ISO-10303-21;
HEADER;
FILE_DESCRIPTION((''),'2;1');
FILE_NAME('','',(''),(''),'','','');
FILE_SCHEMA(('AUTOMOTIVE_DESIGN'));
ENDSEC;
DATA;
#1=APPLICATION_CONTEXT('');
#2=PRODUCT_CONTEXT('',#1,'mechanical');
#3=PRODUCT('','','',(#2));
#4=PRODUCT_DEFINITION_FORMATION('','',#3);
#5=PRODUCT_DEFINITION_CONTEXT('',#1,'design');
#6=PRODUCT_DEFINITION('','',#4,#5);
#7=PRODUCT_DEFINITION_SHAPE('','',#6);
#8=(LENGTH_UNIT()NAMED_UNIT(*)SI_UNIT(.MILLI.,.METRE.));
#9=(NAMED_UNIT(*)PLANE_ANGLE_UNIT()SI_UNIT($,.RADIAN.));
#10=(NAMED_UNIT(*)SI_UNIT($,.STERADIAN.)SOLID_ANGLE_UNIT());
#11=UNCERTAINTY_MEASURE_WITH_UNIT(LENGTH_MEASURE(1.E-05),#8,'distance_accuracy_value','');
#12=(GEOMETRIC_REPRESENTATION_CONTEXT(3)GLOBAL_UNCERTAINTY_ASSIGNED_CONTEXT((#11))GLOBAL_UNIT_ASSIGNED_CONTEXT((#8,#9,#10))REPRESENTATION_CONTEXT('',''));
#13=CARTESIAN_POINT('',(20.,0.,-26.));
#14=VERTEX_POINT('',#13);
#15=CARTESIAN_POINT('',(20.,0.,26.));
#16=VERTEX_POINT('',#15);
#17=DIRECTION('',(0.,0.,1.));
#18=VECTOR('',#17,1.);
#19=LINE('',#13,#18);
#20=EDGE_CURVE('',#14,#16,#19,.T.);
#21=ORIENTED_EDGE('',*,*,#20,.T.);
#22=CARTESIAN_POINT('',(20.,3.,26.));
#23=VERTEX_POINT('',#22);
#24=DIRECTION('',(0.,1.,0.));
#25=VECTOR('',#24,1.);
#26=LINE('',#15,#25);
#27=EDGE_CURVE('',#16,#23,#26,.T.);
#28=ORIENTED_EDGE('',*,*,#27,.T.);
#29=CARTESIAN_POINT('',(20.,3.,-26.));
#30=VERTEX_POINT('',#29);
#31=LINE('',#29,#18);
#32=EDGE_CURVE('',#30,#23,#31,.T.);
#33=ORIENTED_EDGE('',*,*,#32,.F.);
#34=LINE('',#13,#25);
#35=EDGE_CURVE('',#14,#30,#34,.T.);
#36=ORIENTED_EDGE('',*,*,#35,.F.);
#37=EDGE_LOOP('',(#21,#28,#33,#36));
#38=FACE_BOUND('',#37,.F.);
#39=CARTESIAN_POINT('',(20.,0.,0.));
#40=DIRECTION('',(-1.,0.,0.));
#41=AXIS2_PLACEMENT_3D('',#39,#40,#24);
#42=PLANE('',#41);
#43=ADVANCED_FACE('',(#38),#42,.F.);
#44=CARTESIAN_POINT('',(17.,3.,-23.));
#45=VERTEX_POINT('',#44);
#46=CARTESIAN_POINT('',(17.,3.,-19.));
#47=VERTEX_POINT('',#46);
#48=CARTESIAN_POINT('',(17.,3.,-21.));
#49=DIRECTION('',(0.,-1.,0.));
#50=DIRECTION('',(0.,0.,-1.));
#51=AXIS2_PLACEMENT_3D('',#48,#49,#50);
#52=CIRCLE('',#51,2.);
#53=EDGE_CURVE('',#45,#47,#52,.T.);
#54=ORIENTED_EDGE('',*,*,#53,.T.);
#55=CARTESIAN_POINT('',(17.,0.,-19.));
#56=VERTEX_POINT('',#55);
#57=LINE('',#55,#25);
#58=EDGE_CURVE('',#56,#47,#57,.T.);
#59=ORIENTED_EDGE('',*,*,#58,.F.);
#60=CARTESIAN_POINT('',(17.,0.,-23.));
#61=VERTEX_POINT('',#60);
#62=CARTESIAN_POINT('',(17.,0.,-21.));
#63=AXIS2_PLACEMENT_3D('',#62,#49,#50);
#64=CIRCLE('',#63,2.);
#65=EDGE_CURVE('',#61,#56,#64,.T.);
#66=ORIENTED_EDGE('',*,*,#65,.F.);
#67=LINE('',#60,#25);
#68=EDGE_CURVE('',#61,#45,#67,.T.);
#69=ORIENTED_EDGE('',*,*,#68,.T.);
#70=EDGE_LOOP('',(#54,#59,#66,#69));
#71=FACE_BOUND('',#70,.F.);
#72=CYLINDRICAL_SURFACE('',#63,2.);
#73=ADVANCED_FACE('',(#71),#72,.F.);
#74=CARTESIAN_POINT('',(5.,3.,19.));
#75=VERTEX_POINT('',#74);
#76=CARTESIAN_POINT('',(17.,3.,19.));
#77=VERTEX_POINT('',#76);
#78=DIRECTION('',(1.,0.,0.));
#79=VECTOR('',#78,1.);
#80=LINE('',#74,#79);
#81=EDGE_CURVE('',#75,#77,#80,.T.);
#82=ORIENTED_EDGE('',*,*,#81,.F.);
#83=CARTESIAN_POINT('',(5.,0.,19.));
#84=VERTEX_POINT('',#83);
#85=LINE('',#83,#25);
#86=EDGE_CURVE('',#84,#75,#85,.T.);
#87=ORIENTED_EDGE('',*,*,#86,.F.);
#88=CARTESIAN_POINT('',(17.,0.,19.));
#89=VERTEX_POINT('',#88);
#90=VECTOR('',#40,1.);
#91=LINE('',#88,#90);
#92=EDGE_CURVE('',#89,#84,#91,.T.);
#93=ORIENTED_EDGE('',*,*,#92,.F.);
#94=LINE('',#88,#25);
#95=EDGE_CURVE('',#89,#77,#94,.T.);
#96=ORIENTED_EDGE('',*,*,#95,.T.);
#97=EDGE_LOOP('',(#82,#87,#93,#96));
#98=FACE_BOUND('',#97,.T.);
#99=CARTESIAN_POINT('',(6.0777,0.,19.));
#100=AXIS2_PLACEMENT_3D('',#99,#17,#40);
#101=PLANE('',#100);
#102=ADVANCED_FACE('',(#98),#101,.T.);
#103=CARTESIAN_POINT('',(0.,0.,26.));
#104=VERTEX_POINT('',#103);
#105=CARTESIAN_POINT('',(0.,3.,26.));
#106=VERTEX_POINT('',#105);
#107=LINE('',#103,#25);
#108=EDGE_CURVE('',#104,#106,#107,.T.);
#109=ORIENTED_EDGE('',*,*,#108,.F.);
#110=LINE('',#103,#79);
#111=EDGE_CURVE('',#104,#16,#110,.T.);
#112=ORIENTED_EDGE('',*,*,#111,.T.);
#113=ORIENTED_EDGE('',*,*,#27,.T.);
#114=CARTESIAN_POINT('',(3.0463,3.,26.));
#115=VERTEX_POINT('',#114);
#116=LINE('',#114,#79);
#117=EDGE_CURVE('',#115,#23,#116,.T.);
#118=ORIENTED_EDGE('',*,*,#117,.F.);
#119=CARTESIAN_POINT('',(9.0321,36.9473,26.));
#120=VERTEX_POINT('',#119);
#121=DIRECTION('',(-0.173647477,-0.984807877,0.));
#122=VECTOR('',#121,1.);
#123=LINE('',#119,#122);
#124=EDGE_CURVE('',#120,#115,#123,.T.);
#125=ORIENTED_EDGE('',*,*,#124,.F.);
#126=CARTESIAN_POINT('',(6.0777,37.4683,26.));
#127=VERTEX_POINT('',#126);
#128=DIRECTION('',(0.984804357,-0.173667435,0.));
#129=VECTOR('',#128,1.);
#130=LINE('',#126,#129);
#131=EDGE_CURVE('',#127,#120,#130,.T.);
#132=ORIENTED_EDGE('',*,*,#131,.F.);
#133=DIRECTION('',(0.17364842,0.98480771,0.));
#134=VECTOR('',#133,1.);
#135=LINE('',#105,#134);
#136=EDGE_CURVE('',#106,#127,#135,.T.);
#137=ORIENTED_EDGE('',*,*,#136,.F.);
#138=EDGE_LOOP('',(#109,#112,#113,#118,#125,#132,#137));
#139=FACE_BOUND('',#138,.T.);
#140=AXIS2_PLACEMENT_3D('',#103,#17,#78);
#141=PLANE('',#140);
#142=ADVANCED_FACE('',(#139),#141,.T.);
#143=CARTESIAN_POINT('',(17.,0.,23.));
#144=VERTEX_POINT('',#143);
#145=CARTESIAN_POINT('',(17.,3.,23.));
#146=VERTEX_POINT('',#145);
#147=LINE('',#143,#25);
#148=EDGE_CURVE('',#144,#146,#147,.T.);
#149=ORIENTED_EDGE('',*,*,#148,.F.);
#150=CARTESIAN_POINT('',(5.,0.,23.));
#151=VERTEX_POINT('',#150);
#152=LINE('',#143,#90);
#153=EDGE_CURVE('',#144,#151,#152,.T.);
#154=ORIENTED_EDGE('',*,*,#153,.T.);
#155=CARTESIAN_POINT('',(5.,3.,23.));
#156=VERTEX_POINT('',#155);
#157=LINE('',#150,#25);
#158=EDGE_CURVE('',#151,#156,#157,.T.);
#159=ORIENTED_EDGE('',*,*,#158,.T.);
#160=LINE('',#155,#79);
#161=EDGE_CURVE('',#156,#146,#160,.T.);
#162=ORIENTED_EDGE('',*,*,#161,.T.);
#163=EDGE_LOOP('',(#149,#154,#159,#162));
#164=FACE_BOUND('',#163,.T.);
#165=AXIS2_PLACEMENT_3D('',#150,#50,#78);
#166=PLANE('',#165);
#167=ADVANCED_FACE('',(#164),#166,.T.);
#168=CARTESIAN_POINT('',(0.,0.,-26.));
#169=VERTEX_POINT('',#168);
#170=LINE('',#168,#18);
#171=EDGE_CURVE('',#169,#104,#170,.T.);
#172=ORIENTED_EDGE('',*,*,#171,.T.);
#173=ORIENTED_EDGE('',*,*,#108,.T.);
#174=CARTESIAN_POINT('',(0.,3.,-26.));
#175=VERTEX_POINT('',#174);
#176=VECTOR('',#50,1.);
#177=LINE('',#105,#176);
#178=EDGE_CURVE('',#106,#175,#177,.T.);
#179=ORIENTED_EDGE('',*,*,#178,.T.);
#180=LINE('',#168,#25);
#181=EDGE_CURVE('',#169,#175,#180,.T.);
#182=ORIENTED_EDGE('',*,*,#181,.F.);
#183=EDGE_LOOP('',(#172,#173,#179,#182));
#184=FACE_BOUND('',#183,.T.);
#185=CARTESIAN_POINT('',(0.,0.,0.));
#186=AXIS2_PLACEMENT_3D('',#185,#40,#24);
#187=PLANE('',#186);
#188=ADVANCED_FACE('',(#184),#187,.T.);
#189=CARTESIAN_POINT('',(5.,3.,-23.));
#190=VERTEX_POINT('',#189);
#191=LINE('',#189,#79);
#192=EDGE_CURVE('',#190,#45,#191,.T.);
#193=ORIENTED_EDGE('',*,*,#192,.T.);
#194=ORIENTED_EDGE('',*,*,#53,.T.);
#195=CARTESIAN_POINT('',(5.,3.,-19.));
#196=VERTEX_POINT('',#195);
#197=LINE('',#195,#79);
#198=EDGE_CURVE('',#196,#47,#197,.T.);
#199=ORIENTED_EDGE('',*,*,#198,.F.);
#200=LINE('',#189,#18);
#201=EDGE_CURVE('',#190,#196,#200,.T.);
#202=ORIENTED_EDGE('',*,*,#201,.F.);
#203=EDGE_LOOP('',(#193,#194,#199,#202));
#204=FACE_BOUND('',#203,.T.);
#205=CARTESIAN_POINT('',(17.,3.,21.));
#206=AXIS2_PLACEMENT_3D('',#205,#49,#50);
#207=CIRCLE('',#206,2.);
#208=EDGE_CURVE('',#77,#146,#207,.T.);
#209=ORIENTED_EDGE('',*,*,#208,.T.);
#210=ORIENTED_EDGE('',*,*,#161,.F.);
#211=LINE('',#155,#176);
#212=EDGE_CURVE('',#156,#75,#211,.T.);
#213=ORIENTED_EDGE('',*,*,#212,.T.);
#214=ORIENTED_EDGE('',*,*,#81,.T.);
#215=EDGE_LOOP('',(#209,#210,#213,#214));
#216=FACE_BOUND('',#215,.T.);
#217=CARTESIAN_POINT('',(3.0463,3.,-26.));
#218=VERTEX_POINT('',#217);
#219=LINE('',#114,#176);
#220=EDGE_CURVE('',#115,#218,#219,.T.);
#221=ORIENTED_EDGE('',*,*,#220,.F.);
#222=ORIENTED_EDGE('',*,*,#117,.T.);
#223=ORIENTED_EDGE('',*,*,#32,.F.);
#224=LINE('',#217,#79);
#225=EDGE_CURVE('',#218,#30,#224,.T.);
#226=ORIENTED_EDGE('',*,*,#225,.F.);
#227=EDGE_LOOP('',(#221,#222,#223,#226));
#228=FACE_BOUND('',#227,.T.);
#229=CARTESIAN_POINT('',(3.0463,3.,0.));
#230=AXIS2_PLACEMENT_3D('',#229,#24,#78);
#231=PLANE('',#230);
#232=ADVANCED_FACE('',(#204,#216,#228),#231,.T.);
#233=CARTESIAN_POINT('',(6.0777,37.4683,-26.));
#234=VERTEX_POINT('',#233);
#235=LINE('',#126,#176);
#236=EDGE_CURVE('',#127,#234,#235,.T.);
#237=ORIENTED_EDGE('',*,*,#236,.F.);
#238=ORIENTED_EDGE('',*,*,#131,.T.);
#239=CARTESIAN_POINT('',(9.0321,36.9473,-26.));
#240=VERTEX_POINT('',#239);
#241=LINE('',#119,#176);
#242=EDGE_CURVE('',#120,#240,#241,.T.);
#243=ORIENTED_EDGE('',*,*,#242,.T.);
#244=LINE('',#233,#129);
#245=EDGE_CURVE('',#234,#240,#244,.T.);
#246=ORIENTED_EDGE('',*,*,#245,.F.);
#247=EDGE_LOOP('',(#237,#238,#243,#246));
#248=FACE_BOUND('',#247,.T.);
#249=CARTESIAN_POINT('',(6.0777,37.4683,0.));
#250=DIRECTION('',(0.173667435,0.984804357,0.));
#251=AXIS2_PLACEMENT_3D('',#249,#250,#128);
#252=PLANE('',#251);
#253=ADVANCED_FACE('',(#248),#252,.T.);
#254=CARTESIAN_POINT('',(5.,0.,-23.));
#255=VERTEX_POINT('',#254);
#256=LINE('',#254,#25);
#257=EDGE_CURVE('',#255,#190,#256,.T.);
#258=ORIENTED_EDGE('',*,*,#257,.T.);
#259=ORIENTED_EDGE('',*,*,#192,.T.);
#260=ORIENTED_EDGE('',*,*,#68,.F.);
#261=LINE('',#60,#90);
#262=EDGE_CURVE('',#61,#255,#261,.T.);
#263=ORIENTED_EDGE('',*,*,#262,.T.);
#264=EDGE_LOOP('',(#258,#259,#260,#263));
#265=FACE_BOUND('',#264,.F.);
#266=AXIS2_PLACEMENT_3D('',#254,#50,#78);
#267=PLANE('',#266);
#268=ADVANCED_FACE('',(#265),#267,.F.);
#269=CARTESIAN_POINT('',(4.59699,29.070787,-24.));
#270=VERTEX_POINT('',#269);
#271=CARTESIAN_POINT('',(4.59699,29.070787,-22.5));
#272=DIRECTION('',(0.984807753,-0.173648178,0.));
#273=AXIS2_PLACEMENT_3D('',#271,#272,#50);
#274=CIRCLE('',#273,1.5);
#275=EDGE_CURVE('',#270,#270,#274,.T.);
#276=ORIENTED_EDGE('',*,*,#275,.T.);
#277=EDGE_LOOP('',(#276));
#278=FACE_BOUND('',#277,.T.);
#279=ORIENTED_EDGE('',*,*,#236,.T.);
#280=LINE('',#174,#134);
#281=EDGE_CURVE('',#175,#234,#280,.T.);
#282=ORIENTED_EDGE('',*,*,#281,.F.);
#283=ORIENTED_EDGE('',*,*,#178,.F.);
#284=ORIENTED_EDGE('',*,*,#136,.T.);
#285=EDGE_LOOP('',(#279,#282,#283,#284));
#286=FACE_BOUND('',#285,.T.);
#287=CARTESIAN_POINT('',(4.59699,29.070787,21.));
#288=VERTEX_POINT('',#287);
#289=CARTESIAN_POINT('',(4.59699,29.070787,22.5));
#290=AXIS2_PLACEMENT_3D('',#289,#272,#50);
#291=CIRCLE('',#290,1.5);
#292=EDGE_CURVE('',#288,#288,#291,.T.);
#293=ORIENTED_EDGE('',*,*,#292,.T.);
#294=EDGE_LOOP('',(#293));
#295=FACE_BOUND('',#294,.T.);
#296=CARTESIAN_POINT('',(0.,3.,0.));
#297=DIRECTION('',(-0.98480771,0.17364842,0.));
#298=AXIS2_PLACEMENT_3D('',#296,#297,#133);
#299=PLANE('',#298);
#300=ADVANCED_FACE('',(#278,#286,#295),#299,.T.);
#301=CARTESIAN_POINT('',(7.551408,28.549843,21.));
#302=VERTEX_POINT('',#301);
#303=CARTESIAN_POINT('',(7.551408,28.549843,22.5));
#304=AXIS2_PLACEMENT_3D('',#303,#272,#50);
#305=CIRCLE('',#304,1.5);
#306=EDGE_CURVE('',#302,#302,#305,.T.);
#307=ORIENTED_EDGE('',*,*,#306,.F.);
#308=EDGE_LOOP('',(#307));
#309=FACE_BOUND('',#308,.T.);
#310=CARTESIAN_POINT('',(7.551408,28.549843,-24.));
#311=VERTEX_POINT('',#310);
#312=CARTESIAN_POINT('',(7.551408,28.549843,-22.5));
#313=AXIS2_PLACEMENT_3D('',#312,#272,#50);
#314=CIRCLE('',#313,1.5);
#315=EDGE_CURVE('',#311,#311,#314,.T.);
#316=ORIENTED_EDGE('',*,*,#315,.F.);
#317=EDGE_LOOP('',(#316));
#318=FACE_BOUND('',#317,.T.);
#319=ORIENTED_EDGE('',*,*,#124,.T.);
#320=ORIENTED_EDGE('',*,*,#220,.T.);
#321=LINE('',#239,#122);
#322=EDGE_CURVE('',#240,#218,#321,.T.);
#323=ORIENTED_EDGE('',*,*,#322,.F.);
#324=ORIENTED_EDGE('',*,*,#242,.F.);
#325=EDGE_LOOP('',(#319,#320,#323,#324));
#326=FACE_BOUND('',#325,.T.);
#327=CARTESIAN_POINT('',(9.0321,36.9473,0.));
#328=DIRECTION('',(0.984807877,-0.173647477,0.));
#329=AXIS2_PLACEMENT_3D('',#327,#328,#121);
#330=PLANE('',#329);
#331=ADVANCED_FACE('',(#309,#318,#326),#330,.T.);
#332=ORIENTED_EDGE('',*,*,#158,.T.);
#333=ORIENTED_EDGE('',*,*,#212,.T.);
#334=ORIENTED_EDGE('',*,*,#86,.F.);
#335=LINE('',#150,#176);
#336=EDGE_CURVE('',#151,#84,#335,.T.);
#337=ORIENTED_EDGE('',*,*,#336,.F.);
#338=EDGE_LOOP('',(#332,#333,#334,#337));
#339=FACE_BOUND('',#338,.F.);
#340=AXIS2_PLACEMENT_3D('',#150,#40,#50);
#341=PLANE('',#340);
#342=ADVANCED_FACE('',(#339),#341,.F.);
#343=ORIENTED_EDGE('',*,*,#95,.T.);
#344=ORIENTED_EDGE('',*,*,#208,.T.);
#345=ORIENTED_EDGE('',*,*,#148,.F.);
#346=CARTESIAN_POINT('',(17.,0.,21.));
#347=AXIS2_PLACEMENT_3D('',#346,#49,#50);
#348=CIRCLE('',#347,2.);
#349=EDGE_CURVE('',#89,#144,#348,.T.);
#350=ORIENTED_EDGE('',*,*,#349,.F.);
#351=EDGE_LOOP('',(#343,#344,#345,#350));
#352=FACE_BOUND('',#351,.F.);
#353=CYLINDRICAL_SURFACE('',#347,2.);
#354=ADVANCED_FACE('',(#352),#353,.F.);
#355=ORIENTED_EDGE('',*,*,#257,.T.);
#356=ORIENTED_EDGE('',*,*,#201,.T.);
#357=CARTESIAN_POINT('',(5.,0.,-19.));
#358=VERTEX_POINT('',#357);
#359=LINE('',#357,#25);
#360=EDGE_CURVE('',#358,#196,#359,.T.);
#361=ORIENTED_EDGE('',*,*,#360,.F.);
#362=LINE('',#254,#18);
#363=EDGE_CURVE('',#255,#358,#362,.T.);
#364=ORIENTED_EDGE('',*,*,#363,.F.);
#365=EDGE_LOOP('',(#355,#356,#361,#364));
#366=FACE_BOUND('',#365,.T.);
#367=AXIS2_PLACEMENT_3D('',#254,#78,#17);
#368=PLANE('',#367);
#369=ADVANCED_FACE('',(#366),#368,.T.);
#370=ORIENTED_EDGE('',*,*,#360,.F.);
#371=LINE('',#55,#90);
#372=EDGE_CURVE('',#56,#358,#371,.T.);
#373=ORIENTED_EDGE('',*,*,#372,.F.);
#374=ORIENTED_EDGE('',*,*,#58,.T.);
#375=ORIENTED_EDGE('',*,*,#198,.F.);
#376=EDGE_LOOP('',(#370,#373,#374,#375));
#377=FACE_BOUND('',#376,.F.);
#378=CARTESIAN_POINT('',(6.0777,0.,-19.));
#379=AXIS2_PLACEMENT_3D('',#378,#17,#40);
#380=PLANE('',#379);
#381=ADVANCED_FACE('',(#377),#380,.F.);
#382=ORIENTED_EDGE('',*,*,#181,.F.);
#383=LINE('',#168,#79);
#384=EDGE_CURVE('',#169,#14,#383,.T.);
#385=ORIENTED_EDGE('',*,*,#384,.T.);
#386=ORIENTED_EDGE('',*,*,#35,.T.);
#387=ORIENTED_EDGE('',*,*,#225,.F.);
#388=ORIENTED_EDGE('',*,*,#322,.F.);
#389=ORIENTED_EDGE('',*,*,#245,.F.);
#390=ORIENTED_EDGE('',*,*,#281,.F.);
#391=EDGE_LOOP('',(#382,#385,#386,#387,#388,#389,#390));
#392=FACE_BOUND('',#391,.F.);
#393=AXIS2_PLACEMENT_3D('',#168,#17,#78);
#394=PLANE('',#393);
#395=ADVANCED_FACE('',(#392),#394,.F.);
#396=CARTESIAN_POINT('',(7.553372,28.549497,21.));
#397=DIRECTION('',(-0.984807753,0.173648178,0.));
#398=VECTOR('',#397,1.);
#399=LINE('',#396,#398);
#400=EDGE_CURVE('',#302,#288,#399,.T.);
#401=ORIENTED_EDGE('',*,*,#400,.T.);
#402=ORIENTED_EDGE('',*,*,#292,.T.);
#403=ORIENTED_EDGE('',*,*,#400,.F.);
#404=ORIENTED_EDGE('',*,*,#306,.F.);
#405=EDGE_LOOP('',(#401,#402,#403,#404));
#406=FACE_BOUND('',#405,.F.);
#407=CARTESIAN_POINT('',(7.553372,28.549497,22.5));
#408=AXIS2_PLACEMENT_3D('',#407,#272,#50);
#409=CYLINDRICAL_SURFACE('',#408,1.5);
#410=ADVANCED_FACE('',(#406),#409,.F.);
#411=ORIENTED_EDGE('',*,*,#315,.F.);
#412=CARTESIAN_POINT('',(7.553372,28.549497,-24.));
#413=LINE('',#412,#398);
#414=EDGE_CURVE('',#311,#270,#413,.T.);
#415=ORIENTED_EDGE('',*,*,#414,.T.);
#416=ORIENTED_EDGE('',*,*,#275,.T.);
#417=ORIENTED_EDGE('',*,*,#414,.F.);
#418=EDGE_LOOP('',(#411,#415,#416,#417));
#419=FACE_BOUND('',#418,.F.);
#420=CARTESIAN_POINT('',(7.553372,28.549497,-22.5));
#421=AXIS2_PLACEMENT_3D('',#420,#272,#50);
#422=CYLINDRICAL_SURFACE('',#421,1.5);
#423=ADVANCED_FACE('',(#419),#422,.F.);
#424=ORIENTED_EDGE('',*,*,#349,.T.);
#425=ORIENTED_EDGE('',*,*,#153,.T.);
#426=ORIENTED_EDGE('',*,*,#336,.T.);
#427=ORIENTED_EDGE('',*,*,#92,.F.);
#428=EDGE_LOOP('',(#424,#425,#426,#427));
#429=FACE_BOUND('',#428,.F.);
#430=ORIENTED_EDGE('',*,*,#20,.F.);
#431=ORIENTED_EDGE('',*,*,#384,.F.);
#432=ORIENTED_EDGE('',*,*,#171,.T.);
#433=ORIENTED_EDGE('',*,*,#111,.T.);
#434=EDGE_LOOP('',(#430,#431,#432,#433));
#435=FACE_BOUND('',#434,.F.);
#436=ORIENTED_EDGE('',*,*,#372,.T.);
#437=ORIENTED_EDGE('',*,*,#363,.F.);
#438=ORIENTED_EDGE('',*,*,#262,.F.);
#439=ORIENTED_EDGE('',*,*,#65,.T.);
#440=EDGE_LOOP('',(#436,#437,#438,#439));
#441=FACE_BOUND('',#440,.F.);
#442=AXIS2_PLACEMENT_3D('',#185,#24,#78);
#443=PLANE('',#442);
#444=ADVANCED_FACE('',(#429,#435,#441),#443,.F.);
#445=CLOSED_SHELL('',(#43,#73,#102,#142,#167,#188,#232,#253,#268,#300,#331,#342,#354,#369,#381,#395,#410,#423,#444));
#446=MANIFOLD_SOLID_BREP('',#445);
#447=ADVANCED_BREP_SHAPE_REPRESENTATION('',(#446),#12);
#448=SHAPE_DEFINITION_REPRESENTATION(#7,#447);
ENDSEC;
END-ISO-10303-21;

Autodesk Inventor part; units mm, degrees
ref_plane "YZ Plane" through (0, 0, 0) normal (1, 0, 0) x (0, 1, 0)
ref_plane "XZ Plane" through (0, 0, 0) normal (0, 1, 0) x (-1, 0, 0)
ref_plane "XY Plane" through (0, 0, 0) normal (0, 0, 1) x (1, 0, 0)
sketch "Sketch1" plane through (0, 0, 0) normal (1, 0, 0) x (0, 1, 0)
  point P0 (0, 0)
sketch "Sketch2" plane through (0, 0, 0) normal (0, 0, 1) x (1, 0, 0)
  line L0 (0, 0) -> (20, 0)
  line L1 (20, 0) -> (20, 3)
  line L2 (0, 0) -> (0, 3)
  line L3 (0, 3) -> (6.0777, 37.4683)
  line L4 (0, 3) -> (35, 3) construction
  line L5 (6.0777, 37.4683) -> (9.0321, 36.9473)
  line L6 (9.0321, 36.9473) -> (3.0463, 3)
  line L7 (3.0463, 3) -> (20, 3)
  dimension "d0" = 20
  dimension "d1" = 3
  dimension "d2" = 3
  dimension "d4" = 35
  dimension "d5" = 80
  dimension "d6" = 3
extrude "Extrusion1" add sketch "Sketch2" along normal blind 26 and the other way blind 26
ref_plane "Work Plane1" through (7.5549, 37.2078, 26) normal (0.9848, -0.1736, 0) x (0, 0, -1)
ref_plane "Work Plane2" through (0, 0, 0) normal (0, 0, 1) x (1, 0, 0)
sketch "Sketch3" plane through (9.0321, 36.9473, 26) normal (0.9848, -0.1736, 0) x (0, 0, -1)
  point P0 (26, -37.9544)
sketch "Sketch4" plane through (9.0321, 36.9473, 26) normal (0.9848, -0.1736, 0) x (0, 0, -1)
  circle A0 centre (3.5, -8.527) radius 1.5
  circle A1 centre (48.5, -8.527) radius 1.5
  point P0 (26, -37.9544)
  dimension "d11" = 3
  dimension "d12" = 3
extrude "Extrusion2" cut sketch "Sketch4" against normal blind 3 contours A0
sketch "Sketch5" plane through (9.0321, 36.9473, 26) normal (0.9848, -0.1736, 0) x (0, 0, -1)
  circle A0 centre (48.5, -8.527) radius 1.5
  point P0 (26, -37.9544)
  dimension "d15" = 3
extrude "Extrusion3" cut sketch "Sketch5" against normal blind 3
sketch "Sketch6" plane through (3.0463, 3, 26) normal (0, 1, 0) x (1, 0, 0)
  point P0 (-3.0463, 26)
sketch "Sketch7" plane through (0, 0, 26) normal (0, -1, 0) x (1, 0, 0)
  line L0 (6.0777, -52) -> (6.0777, 0) projected
  line L1 (5, -3) -> (17, -3)
  line L2 (17, -7) -> (5, -7)
  arc A0 (17, -7) -> (17, -3) centre (17, -5) ccw
  line L3 (5, -3) -> (5, -7)
  ellipse E0 centre (4.597, -3.5) end of major axis (4.597, -2) minor radius 0.2605 projected
  line L4 (20, -52) -> (20, 0) projected
  line L5 (5, -49) -> (17, -49)
  line L6 (17, -45) -> (5, -45)
  arc A1 (17, -49) -> (17, -45) centre (17, -47) ccw
  line L7 (5, -49) -> (5, -45)
  point P0 (0, -26)
  dimension "d19" = 12
extrude "Extrusion4" cut sketch "Sketch7" against normal blind 3 contours L5 L7 L6 L0 | L2 L3 L1 L0 | L0 L1 A0 L2 | L0 L6 A1 L5
